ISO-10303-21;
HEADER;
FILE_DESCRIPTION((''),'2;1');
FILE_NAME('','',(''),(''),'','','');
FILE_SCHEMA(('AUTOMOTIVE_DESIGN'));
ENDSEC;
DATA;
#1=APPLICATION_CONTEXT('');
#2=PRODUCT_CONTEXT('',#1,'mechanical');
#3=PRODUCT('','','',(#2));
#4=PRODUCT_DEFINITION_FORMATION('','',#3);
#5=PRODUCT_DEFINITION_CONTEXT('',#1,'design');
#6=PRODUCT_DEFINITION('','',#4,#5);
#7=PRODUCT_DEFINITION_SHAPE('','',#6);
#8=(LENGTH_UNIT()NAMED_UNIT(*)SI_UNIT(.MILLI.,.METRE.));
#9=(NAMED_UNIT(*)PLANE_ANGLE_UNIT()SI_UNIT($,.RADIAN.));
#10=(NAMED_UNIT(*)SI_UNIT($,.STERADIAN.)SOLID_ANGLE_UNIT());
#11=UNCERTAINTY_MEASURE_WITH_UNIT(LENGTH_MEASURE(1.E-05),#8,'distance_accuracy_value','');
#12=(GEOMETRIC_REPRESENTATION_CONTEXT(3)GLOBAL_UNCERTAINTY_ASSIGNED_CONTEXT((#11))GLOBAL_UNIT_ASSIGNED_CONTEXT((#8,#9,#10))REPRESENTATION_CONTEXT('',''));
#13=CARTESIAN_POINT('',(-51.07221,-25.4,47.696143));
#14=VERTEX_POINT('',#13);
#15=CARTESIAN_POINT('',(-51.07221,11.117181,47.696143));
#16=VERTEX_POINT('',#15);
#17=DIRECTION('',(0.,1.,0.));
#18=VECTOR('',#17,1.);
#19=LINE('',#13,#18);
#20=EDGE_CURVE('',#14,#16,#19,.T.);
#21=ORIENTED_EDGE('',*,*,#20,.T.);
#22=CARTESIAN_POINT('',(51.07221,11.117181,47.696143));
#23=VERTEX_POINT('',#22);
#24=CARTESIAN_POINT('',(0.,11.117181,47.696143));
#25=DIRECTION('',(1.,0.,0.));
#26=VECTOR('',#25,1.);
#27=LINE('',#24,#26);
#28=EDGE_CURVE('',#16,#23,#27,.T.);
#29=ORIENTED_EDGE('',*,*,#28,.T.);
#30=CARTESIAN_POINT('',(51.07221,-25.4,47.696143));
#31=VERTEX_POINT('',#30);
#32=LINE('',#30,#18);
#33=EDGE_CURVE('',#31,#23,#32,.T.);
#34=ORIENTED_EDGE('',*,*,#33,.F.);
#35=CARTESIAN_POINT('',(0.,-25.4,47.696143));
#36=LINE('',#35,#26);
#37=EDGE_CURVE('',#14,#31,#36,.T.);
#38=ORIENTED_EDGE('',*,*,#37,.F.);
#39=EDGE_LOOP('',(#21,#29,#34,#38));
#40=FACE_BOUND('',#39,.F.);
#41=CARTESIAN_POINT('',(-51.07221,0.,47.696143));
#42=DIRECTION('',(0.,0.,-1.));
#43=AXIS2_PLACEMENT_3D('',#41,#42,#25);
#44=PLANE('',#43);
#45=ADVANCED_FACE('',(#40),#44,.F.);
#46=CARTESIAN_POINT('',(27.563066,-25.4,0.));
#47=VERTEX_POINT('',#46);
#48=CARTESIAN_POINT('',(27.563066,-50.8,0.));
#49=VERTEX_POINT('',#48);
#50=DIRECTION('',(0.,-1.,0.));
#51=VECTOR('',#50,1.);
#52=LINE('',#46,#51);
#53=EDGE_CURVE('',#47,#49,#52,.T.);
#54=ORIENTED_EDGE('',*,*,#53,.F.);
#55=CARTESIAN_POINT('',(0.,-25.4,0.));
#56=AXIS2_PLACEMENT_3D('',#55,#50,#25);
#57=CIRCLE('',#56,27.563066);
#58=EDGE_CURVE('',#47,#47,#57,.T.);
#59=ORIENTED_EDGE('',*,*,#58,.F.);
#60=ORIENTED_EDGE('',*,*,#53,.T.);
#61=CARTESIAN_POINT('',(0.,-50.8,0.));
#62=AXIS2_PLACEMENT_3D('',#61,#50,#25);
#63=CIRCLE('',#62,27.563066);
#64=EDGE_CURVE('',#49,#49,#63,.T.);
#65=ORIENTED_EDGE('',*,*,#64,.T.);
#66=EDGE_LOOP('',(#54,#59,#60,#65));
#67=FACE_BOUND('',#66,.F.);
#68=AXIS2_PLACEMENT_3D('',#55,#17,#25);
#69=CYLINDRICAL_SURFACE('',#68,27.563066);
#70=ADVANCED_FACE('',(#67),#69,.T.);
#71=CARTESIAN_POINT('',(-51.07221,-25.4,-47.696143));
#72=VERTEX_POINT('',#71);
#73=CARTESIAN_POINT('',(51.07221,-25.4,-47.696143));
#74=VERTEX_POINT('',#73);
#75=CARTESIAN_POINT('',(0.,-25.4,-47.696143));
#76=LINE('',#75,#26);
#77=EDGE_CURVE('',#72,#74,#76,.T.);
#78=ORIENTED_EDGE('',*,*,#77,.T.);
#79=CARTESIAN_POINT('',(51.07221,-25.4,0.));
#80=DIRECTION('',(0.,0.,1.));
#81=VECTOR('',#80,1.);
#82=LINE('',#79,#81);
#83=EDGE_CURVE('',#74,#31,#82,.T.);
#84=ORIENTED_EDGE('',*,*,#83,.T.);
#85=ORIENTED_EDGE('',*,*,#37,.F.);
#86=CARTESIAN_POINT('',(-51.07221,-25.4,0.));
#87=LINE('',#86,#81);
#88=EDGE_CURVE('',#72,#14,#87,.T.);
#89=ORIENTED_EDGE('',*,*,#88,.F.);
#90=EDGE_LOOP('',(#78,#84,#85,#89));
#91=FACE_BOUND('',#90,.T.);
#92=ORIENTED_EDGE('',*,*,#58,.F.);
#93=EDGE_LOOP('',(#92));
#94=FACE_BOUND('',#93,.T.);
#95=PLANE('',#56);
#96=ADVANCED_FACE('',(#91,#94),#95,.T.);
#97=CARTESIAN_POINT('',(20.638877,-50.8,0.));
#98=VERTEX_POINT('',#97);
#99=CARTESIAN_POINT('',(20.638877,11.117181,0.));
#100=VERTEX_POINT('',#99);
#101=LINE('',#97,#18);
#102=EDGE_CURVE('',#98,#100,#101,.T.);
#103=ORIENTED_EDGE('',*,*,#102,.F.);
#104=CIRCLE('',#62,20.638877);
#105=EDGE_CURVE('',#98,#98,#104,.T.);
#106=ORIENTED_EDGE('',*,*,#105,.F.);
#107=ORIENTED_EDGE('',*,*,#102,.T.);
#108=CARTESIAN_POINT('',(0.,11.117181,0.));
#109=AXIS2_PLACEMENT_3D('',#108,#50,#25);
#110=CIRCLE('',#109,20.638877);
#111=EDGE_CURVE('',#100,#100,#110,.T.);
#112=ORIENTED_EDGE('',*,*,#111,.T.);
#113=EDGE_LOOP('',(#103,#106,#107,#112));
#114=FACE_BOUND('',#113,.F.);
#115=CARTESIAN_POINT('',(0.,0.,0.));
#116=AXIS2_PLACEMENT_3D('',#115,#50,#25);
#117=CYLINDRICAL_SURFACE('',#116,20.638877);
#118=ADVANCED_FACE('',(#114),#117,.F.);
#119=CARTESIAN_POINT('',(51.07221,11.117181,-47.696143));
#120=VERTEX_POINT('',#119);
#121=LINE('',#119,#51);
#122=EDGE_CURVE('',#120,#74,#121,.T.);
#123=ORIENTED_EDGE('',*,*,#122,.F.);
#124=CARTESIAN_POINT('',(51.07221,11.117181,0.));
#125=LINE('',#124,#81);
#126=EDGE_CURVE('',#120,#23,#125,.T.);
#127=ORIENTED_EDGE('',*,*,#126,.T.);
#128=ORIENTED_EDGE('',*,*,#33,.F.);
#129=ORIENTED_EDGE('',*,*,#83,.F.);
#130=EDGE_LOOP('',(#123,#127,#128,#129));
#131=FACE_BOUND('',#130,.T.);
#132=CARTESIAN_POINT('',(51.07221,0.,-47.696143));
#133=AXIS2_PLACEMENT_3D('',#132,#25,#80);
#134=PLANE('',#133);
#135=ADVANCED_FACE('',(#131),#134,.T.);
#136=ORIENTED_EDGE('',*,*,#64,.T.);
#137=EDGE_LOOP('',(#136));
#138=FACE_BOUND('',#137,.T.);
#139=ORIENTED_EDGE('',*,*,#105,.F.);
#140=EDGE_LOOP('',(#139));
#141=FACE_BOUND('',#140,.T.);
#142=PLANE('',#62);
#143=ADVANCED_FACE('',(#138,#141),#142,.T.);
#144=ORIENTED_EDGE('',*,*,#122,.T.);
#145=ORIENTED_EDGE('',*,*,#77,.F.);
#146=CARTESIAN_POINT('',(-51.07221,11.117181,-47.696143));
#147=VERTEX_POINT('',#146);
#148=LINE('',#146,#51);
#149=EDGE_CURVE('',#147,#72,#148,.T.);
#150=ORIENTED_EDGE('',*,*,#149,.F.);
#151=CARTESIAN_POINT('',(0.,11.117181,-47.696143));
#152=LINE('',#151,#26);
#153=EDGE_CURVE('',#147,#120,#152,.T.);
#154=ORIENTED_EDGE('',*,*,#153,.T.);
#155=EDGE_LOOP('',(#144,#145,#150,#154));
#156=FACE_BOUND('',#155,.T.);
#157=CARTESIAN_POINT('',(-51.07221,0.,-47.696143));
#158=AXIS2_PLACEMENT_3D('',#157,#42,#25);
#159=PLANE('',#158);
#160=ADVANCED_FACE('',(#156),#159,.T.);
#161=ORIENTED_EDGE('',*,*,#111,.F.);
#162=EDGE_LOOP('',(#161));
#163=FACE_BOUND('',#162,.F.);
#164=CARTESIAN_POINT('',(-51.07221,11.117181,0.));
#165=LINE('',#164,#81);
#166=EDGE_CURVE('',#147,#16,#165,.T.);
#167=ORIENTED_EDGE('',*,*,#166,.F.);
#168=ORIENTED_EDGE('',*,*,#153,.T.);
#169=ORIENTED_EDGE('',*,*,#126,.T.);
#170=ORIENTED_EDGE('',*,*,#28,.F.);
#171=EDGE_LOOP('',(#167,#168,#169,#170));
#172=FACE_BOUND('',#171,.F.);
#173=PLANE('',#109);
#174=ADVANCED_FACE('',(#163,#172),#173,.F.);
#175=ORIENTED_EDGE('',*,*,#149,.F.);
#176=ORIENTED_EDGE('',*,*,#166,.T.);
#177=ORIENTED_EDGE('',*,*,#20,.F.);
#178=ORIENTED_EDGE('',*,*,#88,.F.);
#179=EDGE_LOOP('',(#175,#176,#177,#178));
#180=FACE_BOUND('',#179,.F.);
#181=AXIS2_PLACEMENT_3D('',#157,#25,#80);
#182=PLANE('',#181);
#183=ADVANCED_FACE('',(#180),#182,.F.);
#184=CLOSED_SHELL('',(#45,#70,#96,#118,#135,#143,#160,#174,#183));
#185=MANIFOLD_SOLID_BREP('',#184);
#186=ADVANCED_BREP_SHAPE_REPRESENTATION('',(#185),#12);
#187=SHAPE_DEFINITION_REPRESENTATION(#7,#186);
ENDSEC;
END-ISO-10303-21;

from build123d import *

# Parameters (mm, degrees)
F0_W     = 102.1444201469
F0_H     = 95.3922867775
F1_DEPTH = 25.4
F2_R     = 27.5630659773
F4_DEPTH = 25.4
F5_R     = 20.638877023
F6_DEPTH = 50.801
F3_DEPTH = 11.1171808094


with BuildPart() as f1:
    # F0 (on Front) → F1 (new body)
    with BuildSketch(Plane.XZ):
        Rectangle(F0_W, F0_H)
    extrude(amount=F1_DEPTH)

    # F2 (on face) → F4 (join)
    with BuildSketch(Plane.XZ.offset(25.4)):
        Circle(F2_R)
    extrude(amount=F4_DEPTH)

    # F5 (on face) → F6 (cut, through all)
    with BuildSketch(Plane.XZ.offset(50.8)):
        Circle(F5_R)
    extrude(amount=-F6_DEPTH, mode=Mode.SUBTRACT)

    # F3 (add): a face of the model
    f3_faces = [f1.faces().sort_by_distance(p)[0] for p in [
        (0, 0, -46.2985321787),
    ]]
    extrude(f3_faces, amount=F3_DEPTH)


solid = f1.part
